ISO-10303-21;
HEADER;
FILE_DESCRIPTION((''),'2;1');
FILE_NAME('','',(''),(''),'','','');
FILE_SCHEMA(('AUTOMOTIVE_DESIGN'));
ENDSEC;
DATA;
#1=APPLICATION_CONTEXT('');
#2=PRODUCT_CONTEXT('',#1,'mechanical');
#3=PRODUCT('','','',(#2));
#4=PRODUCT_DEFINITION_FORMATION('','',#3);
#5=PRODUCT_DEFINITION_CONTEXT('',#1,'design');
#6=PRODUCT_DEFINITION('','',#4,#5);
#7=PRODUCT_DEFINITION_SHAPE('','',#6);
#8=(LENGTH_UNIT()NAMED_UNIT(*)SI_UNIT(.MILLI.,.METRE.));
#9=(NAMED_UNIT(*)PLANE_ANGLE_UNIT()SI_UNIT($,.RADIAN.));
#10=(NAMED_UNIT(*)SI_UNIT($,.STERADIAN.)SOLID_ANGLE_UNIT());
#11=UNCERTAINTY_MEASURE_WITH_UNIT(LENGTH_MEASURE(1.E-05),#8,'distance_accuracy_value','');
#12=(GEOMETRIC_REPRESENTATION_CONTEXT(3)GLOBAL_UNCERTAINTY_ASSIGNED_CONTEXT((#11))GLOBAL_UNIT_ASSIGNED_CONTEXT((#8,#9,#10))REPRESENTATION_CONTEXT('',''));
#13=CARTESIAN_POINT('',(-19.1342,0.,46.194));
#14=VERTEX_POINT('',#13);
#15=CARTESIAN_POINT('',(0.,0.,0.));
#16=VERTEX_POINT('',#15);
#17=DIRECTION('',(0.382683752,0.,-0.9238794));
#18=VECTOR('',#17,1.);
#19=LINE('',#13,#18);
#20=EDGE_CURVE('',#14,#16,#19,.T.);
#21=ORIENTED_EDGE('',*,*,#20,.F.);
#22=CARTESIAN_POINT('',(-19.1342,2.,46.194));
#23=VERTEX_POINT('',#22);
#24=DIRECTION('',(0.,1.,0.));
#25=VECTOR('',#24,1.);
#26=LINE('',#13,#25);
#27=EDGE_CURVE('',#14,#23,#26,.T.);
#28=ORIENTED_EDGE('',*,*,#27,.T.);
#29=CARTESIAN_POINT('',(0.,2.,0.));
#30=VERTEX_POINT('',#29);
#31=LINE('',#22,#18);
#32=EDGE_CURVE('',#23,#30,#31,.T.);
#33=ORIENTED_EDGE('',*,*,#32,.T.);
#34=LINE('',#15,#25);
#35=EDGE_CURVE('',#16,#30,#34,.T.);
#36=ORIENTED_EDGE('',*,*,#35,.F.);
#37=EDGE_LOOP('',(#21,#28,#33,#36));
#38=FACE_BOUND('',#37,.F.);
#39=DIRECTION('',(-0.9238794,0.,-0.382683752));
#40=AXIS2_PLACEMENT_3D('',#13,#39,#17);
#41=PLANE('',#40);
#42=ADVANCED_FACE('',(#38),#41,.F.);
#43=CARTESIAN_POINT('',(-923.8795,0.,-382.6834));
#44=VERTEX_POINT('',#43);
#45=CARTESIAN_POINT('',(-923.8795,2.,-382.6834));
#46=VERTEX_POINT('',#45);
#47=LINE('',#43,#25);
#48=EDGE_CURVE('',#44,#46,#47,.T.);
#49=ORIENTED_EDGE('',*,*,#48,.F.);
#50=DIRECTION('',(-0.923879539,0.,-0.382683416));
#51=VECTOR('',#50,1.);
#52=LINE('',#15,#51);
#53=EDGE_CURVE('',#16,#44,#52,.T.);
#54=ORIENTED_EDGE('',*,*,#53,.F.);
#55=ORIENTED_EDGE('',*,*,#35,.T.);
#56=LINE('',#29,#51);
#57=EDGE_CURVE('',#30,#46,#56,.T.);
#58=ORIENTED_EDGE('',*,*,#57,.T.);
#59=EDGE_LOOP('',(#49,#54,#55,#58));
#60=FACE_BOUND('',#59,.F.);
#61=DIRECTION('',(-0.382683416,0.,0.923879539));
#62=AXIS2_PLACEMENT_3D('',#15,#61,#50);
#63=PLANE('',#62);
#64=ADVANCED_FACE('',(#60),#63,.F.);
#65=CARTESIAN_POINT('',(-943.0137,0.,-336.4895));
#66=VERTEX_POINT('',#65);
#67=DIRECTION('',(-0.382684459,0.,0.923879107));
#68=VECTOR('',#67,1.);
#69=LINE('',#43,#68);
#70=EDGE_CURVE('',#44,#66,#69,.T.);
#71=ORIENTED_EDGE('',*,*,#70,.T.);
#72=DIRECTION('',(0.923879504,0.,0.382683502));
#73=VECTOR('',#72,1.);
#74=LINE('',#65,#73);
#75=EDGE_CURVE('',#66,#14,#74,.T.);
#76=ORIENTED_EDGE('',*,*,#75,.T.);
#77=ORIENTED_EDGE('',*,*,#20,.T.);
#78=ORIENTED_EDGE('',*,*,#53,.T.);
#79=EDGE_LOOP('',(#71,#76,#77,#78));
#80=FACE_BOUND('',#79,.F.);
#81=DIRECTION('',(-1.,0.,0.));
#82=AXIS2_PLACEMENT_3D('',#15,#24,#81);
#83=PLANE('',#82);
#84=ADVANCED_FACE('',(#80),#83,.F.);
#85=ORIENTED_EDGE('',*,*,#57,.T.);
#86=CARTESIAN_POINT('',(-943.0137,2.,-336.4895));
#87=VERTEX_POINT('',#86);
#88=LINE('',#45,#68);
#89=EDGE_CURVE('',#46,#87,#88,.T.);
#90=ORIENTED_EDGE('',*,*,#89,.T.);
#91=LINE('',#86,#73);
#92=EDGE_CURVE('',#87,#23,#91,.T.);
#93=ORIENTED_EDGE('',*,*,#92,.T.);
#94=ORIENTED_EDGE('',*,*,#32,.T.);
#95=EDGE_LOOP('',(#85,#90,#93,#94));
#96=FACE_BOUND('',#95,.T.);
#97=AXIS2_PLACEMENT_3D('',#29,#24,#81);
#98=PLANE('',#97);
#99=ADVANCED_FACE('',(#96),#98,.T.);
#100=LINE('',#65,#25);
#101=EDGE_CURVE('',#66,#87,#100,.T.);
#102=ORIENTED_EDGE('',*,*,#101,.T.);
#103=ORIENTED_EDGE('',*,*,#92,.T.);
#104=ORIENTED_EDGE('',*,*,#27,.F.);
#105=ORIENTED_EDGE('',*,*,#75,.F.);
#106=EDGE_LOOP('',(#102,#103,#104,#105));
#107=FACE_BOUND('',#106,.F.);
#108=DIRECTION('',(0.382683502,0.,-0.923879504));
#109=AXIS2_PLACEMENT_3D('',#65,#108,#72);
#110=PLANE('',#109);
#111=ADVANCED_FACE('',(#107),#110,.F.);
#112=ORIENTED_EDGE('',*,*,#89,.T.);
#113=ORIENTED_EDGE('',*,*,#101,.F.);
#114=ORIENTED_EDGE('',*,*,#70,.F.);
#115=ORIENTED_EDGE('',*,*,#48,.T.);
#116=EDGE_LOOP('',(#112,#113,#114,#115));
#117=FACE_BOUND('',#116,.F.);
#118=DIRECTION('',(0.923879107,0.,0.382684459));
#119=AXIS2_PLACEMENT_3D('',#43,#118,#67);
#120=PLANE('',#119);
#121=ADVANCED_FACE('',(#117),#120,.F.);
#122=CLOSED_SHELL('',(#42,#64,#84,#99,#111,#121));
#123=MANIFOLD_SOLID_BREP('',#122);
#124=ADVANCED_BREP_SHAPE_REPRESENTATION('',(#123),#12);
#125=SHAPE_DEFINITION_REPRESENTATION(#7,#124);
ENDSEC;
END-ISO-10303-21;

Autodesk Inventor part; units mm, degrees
ref_plane "YZ Plane" through (0, 0, 0) normal (1, 0, 0) x (0, 1, 0)
ref_plane "XZ Plane" through (0, 0, 0) normal (0, 1, 0) x (-1, 0, 0)
ref_plane "XY Plane" through (0, 0, 0) normal (0, 0, 1) x (1, 0, 0)
sketch "Sketch1" plane through (0, 0, 0) normal (0, 1, 0) x (-1, 0, 0)
  line L0 (0, 0) -> (923.8795, -382.6834)
  line L1 (923.8795, -382.6834) -> (943.0137, -336.4895)
  line L2 (943.0137, -336.4895) -> (19.1342, 46.194)
  line L3 (19.1342, 46.194) -> (0, 0)
  line L4 (0, 0) -> (1000, 0) construction
  dimension "d2" = 1000
  dimension "d3" = 22.5
  dimension "d4" = 50
extrude "Extrusion1" add sketch "Sketch1" along normal blind 2
properties part number "balsa sheet"
